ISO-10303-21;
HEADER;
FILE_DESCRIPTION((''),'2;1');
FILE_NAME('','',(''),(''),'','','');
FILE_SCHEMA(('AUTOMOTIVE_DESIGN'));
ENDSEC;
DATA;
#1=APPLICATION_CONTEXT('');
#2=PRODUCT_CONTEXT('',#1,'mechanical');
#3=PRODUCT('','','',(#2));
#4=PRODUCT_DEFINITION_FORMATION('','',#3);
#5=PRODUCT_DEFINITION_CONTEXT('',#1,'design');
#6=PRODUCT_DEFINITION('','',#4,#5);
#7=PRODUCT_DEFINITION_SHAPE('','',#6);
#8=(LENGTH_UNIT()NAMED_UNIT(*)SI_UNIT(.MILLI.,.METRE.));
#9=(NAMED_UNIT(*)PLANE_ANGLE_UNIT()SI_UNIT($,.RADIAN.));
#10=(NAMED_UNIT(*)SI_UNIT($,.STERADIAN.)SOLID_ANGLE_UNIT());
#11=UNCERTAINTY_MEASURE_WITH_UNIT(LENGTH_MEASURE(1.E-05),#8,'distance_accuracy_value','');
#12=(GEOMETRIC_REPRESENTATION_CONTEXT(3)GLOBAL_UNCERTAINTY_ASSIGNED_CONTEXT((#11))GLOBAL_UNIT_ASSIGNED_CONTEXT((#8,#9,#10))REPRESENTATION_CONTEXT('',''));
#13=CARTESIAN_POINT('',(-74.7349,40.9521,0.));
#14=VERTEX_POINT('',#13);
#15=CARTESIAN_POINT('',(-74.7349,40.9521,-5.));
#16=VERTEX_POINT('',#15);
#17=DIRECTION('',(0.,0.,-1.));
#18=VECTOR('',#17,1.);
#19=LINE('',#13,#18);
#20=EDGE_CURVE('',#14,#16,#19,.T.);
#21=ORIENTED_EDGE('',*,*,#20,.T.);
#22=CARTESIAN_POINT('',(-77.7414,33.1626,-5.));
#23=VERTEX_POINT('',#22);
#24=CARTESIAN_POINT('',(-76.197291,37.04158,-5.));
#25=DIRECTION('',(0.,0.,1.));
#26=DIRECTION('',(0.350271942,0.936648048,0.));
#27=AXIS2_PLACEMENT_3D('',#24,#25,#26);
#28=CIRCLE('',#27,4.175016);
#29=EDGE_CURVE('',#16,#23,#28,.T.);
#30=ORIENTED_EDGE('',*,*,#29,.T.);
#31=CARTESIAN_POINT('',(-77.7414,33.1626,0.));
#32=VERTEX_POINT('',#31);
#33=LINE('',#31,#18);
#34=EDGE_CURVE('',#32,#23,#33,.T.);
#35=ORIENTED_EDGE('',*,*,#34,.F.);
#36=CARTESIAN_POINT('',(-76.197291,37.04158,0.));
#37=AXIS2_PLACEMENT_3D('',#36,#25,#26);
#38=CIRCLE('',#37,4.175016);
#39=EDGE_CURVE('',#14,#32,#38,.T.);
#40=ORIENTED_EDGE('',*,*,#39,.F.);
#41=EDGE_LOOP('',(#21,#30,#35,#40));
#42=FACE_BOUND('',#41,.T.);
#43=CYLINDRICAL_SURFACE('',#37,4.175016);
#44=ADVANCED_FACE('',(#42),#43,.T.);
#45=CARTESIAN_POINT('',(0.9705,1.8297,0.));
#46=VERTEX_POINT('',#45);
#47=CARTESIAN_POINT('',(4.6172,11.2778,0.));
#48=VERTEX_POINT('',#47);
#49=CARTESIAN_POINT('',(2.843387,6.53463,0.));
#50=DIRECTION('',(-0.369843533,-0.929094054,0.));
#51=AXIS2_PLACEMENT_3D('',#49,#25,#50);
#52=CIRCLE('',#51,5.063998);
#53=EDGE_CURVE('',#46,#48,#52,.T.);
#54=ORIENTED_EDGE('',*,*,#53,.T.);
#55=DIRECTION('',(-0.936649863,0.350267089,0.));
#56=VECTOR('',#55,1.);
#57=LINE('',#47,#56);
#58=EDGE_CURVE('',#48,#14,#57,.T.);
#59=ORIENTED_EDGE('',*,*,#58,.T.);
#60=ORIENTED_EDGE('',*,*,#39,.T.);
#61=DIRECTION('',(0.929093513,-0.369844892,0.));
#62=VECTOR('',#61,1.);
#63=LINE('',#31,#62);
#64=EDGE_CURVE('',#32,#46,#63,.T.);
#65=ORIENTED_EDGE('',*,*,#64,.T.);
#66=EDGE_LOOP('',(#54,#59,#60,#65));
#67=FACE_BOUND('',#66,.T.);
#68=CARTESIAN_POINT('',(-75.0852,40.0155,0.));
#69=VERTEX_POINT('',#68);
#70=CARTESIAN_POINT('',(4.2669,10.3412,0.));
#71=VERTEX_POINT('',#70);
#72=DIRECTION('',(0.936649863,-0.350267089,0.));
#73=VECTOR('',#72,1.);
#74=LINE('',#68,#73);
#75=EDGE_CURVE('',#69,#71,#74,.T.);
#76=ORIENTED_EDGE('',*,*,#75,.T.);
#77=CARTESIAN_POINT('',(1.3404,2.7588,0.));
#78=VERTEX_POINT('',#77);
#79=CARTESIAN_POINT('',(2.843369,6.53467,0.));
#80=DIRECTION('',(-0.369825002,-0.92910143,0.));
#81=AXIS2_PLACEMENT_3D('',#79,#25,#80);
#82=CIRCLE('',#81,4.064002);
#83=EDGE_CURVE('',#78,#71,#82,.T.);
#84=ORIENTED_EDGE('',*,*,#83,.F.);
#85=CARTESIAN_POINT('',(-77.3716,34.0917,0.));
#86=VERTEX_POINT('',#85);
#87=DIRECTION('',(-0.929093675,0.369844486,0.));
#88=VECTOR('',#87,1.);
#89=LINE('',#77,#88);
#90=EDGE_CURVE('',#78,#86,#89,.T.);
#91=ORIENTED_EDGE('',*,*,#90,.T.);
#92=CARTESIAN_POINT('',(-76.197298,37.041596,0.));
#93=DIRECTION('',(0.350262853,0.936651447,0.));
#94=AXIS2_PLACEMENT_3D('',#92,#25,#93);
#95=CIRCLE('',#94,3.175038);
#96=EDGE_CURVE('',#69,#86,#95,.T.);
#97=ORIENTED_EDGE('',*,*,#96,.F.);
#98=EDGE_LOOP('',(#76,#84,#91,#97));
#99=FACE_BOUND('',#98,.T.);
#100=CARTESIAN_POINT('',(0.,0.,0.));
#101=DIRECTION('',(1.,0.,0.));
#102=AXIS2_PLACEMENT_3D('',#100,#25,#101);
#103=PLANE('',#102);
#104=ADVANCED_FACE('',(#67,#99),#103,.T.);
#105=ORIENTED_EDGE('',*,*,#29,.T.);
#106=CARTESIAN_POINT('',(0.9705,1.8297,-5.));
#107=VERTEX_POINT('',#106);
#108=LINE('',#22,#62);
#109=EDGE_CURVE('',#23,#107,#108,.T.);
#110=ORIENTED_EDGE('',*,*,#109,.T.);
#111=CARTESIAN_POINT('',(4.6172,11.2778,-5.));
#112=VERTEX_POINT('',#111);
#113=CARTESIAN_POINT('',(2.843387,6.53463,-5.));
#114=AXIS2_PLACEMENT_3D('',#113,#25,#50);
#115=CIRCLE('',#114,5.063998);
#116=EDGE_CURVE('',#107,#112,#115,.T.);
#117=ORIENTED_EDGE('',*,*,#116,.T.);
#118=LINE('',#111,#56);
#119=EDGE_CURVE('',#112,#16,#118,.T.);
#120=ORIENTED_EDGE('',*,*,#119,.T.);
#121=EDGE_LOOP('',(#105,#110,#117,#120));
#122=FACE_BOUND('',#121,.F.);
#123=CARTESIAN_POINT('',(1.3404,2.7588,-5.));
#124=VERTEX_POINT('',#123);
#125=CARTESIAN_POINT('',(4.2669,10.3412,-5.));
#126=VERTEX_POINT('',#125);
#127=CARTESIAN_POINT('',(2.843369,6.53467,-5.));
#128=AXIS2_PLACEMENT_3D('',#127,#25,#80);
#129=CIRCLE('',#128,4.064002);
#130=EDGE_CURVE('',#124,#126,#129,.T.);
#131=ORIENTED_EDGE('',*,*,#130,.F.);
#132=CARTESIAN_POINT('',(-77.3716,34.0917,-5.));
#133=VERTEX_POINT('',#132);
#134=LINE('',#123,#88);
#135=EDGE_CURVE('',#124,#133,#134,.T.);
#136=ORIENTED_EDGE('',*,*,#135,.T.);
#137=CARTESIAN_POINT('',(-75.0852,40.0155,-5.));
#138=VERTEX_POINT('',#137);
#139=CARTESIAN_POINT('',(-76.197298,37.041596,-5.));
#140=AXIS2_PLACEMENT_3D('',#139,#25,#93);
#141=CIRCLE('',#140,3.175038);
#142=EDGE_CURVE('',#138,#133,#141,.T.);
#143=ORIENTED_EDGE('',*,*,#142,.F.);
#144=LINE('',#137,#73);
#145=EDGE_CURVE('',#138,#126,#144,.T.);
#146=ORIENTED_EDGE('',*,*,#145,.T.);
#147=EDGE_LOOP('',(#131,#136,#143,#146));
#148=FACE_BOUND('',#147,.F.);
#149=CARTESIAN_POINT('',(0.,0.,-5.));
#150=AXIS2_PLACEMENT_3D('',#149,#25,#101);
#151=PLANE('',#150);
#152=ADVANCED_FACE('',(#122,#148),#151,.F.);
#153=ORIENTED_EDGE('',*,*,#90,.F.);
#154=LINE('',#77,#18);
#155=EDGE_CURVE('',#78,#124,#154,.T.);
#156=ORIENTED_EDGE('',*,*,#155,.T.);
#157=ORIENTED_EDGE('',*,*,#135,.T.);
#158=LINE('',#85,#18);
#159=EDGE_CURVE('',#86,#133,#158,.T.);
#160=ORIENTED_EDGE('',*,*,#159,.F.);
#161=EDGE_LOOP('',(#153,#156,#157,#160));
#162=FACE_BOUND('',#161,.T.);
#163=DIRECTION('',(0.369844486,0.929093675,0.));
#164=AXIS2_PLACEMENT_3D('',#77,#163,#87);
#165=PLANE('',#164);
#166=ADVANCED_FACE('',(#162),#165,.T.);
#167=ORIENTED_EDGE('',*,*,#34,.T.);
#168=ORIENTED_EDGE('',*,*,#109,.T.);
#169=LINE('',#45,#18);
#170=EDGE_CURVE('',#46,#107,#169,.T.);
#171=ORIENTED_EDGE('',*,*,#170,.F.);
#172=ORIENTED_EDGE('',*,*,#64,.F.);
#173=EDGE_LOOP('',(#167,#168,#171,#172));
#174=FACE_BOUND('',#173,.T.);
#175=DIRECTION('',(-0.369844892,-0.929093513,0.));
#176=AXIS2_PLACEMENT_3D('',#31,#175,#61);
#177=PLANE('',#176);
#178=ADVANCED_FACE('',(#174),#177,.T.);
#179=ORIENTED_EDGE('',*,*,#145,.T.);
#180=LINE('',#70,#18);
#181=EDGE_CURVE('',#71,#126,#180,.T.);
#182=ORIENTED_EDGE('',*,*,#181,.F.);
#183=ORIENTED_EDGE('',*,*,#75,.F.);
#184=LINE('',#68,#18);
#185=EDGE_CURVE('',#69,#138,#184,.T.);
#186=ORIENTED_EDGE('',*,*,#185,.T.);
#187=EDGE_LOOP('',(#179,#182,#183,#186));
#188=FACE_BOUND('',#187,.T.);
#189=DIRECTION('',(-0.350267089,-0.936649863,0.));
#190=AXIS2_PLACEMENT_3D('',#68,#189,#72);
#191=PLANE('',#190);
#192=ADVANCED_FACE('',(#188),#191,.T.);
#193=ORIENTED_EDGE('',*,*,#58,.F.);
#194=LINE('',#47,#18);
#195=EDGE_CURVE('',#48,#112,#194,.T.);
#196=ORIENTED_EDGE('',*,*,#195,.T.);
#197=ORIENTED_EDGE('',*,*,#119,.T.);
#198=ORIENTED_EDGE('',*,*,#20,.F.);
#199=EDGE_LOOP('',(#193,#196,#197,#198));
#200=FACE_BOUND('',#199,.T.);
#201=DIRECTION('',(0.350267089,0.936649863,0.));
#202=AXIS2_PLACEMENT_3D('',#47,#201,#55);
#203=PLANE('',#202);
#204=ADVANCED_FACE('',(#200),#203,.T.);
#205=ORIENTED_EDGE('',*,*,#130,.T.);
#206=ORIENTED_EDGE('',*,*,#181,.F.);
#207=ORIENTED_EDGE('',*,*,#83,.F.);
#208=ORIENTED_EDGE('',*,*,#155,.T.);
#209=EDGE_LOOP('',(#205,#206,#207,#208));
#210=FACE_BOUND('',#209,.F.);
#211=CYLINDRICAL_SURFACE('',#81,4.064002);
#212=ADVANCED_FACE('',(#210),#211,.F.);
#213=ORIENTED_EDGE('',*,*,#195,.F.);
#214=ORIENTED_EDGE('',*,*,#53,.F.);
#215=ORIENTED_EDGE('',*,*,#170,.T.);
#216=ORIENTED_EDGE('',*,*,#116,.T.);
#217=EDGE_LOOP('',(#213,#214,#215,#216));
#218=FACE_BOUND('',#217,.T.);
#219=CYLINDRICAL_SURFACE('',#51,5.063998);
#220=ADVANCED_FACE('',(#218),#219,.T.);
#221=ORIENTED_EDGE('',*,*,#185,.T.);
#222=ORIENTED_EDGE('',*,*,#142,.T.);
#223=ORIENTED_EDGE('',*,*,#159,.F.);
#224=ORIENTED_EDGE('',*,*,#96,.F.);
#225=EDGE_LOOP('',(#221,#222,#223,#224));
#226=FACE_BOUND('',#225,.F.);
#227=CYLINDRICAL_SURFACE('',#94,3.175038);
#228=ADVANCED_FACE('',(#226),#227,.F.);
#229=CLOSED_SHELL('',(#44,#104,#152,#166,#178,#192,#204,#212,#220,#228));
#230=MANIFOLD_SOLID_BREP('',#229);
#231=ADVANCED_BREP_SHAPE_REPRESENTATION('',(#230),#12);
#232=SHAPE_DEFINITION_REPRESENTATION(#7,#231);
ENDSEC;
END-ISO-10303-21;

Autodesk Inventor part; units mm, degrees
ref_plane "YZ Plane" through (0, 0, 0) normal (1, 0, 0) x (0, 1, 0)
ref_plane "XZ Plane" through (0, 0, 0) normal (0, 1, 0) x (-1, 0, 0)
ref_plane "XY Plane" through (0, 0, 0) normal (0, 0, 1) x (1, 0, 0)
sketch "Sketch1" plane through (0, 0, 0) normal (0, 0, 1) x (1, 0, 0)
  circle A0 centre (2.8434, 6.5346) radius 4.064 construction
  circle A1 centre (-76.1973, 37.0416) radius 3.9624 construction
  arc A2 (-75.0852, 40.0155) -> (-77.3716, 34.0917) centre (-76.1973, 37.0416) ccw
  line L0 (-75.0852, 40.0155) -> (4.2669, 10.3412)
  line L1 (1.3404, 2.7588) -> (-77.3716, 34.0917)
  arc A3 (1.3404, 2.7588) -> (4.2669, 10.3412) centre (2.8434, 6.5346) ccw
  line L2 (4.6172, 11.2778) -> (-74.7349, 40.9521)
  arc A4 (-74.7349, 40.9521) -> (-77.7414, 33.1626) centre (-76.1973, 37.0416) ccw
  line L3 (-77.7414, 33.1626) -> (0.9705, 1.8297)
  arc A5 (0.9705, 1.8297) -> (4.6172, 11.2778) centre (2.8434, 6.5346) ccw
  point P0 (0, 0)
  dimension "d0" = 6.35
  dimension "d1" = 1
extrude "Extrusion1" add sketch "Sketch1" against normal blind 5
properties part number "Single Indexer tensioner band"
